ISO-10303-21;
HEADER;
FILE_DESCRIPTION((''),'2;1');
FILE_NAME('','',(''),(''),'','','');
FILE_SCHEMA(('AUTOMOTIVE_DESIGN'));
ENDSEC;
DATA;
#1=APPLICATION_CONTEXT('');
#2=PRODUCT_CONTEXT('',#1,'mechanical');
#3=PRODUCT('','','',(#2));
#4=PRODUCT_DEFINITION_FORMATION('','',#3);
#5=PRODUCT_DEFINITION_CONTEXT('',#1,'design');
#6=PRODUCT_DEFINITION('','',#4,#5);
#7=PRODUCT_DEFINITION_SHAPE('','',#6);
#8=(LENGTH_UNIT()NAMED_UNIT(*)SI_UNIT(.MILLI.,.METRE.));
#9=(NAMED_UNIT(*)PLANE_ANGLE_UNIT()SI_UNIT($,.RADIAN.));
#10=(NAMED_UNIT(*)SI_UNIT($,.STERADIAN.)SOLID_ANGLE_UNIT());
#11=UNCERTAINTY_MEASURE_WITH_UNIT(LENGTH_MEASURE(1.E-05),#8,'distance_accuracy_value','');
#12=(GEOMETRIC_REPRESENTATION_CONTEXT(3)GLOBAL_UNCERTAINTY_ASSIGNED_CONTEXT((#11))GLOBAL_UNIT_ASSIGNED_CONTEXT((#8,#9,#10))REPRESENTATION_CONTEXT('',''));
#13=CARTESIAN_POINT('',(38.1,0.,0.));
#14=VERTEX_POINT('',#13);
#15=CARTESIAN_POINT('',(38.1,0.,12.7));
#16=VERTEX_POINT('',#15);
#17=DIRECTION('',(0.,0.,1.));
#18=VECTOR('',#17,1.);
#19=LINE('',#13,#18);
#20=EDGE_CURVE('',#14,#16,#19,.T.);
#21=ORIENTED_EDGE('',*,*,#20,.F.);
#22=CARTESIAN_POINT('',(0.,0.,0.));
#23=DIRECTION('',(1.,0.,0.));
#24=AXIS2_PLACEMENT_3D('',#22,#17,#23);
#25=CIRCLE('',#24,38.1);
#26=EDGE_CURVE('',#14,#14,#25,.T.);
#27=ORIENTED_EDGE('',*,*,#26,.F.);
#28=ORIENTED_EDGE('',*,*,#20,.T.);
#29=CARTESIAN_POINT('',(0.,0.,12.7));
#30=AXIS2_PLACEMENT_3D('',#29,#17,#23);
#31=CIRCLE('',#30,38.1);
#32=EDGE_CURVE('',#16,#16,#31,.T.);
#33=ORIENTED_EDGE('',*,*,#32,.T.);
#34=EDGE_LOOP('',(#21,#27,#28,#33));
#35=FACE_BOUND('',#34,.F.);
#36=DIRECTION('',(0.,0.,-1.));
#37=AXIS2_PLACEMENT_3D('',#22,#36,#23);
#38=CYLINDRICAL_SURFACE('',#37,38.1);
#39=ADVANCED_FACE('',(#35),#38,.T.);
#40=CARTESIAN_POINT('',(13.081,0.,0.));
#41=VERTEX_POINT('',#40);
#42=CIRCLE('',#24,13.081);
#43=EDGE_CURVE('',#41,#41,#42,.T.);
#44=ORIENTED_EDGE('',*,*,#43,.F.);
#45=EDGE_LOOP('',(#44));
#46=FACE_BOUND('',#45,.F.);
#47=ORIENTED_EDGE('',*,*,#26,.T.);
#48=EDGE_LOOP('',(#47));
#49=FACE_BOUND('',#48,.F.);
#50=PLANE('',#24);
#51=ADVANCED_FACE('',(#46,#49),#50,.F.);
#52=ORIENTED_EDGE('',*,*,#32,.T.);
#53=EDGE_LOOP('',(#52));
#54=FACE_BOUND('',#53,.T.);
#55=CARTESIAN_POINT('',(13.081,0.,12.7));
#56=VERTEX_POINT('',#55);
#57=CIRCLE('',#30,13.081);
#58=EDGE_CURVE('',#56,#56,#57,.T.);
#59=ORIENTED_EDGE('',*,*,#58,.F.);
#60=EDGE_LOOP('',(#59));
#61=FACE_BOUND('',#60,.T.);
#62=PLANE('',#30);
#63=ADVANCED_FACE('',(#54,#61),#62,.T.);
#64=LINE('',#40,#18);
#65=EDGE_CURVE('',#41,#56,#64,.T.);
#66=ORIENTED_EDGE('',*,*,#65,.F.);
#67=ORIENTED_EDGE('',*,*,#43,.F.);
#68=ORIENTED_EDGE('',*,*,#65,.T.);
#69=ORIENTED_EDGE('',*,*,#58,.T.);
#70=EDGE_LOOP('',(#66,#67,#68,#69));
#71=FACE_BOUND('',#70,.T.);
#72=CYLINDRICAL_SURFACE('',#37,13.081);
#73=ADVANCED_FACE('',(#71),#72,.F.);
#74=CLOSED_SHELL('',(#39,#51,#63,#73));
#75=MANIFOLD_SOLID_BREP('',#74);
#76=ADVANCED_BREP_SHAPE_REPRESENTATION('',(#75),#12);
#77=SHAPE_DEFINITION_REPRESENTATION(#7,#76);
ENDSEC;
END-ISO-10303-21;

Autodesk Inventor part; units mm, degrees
ref_plane "YZ Plane" through (0, 0, 0) normal (1, 0, 0) x (0, 1, 0)
ref_plane "XZ Plane" through (0, 0, 0) normal (0, 1, 0) x (-1, 0, 0)
ref_plane "XY Plane" through (0, 0, 0) normal (0, 0, 1) x (1, 0, 0)
sketch "Sketch12" plane through (0, 0, 0) normal (0, 0, 1) x (1, 0, 0)
  circle A0 centre (0, 0) radius 38.1
  circle A1 centre (0, 0) radius 13.081
  dimension "d107" = 76.2
  dimension "d108" = 26.162
extrude "Plate4" add sketch "Sketch12" along normal blind 12.7
equation "\"d109\" = Thickness"
equation "\"BendRadius\" = Thickness"
equation "\"BendReliefWidth\" = Thickness"
equation "\"BendReliefDepth\" = 0.5 * Thickness"
equation "\"CornerReliefSize\" = 4 * Thickness"
equation "\"MinimumRemnant\" = 2 * Thickness"
equation "\"TransitionRadius\" = BendRadius"
equation "\"JacobiRadiusSize\" = BendRadius"
equation "\"GapSize\" = Thickness"
equation "\"Thickness\" = 12.7"
properties part number "CRA-1028" material "Steel, Mild"
